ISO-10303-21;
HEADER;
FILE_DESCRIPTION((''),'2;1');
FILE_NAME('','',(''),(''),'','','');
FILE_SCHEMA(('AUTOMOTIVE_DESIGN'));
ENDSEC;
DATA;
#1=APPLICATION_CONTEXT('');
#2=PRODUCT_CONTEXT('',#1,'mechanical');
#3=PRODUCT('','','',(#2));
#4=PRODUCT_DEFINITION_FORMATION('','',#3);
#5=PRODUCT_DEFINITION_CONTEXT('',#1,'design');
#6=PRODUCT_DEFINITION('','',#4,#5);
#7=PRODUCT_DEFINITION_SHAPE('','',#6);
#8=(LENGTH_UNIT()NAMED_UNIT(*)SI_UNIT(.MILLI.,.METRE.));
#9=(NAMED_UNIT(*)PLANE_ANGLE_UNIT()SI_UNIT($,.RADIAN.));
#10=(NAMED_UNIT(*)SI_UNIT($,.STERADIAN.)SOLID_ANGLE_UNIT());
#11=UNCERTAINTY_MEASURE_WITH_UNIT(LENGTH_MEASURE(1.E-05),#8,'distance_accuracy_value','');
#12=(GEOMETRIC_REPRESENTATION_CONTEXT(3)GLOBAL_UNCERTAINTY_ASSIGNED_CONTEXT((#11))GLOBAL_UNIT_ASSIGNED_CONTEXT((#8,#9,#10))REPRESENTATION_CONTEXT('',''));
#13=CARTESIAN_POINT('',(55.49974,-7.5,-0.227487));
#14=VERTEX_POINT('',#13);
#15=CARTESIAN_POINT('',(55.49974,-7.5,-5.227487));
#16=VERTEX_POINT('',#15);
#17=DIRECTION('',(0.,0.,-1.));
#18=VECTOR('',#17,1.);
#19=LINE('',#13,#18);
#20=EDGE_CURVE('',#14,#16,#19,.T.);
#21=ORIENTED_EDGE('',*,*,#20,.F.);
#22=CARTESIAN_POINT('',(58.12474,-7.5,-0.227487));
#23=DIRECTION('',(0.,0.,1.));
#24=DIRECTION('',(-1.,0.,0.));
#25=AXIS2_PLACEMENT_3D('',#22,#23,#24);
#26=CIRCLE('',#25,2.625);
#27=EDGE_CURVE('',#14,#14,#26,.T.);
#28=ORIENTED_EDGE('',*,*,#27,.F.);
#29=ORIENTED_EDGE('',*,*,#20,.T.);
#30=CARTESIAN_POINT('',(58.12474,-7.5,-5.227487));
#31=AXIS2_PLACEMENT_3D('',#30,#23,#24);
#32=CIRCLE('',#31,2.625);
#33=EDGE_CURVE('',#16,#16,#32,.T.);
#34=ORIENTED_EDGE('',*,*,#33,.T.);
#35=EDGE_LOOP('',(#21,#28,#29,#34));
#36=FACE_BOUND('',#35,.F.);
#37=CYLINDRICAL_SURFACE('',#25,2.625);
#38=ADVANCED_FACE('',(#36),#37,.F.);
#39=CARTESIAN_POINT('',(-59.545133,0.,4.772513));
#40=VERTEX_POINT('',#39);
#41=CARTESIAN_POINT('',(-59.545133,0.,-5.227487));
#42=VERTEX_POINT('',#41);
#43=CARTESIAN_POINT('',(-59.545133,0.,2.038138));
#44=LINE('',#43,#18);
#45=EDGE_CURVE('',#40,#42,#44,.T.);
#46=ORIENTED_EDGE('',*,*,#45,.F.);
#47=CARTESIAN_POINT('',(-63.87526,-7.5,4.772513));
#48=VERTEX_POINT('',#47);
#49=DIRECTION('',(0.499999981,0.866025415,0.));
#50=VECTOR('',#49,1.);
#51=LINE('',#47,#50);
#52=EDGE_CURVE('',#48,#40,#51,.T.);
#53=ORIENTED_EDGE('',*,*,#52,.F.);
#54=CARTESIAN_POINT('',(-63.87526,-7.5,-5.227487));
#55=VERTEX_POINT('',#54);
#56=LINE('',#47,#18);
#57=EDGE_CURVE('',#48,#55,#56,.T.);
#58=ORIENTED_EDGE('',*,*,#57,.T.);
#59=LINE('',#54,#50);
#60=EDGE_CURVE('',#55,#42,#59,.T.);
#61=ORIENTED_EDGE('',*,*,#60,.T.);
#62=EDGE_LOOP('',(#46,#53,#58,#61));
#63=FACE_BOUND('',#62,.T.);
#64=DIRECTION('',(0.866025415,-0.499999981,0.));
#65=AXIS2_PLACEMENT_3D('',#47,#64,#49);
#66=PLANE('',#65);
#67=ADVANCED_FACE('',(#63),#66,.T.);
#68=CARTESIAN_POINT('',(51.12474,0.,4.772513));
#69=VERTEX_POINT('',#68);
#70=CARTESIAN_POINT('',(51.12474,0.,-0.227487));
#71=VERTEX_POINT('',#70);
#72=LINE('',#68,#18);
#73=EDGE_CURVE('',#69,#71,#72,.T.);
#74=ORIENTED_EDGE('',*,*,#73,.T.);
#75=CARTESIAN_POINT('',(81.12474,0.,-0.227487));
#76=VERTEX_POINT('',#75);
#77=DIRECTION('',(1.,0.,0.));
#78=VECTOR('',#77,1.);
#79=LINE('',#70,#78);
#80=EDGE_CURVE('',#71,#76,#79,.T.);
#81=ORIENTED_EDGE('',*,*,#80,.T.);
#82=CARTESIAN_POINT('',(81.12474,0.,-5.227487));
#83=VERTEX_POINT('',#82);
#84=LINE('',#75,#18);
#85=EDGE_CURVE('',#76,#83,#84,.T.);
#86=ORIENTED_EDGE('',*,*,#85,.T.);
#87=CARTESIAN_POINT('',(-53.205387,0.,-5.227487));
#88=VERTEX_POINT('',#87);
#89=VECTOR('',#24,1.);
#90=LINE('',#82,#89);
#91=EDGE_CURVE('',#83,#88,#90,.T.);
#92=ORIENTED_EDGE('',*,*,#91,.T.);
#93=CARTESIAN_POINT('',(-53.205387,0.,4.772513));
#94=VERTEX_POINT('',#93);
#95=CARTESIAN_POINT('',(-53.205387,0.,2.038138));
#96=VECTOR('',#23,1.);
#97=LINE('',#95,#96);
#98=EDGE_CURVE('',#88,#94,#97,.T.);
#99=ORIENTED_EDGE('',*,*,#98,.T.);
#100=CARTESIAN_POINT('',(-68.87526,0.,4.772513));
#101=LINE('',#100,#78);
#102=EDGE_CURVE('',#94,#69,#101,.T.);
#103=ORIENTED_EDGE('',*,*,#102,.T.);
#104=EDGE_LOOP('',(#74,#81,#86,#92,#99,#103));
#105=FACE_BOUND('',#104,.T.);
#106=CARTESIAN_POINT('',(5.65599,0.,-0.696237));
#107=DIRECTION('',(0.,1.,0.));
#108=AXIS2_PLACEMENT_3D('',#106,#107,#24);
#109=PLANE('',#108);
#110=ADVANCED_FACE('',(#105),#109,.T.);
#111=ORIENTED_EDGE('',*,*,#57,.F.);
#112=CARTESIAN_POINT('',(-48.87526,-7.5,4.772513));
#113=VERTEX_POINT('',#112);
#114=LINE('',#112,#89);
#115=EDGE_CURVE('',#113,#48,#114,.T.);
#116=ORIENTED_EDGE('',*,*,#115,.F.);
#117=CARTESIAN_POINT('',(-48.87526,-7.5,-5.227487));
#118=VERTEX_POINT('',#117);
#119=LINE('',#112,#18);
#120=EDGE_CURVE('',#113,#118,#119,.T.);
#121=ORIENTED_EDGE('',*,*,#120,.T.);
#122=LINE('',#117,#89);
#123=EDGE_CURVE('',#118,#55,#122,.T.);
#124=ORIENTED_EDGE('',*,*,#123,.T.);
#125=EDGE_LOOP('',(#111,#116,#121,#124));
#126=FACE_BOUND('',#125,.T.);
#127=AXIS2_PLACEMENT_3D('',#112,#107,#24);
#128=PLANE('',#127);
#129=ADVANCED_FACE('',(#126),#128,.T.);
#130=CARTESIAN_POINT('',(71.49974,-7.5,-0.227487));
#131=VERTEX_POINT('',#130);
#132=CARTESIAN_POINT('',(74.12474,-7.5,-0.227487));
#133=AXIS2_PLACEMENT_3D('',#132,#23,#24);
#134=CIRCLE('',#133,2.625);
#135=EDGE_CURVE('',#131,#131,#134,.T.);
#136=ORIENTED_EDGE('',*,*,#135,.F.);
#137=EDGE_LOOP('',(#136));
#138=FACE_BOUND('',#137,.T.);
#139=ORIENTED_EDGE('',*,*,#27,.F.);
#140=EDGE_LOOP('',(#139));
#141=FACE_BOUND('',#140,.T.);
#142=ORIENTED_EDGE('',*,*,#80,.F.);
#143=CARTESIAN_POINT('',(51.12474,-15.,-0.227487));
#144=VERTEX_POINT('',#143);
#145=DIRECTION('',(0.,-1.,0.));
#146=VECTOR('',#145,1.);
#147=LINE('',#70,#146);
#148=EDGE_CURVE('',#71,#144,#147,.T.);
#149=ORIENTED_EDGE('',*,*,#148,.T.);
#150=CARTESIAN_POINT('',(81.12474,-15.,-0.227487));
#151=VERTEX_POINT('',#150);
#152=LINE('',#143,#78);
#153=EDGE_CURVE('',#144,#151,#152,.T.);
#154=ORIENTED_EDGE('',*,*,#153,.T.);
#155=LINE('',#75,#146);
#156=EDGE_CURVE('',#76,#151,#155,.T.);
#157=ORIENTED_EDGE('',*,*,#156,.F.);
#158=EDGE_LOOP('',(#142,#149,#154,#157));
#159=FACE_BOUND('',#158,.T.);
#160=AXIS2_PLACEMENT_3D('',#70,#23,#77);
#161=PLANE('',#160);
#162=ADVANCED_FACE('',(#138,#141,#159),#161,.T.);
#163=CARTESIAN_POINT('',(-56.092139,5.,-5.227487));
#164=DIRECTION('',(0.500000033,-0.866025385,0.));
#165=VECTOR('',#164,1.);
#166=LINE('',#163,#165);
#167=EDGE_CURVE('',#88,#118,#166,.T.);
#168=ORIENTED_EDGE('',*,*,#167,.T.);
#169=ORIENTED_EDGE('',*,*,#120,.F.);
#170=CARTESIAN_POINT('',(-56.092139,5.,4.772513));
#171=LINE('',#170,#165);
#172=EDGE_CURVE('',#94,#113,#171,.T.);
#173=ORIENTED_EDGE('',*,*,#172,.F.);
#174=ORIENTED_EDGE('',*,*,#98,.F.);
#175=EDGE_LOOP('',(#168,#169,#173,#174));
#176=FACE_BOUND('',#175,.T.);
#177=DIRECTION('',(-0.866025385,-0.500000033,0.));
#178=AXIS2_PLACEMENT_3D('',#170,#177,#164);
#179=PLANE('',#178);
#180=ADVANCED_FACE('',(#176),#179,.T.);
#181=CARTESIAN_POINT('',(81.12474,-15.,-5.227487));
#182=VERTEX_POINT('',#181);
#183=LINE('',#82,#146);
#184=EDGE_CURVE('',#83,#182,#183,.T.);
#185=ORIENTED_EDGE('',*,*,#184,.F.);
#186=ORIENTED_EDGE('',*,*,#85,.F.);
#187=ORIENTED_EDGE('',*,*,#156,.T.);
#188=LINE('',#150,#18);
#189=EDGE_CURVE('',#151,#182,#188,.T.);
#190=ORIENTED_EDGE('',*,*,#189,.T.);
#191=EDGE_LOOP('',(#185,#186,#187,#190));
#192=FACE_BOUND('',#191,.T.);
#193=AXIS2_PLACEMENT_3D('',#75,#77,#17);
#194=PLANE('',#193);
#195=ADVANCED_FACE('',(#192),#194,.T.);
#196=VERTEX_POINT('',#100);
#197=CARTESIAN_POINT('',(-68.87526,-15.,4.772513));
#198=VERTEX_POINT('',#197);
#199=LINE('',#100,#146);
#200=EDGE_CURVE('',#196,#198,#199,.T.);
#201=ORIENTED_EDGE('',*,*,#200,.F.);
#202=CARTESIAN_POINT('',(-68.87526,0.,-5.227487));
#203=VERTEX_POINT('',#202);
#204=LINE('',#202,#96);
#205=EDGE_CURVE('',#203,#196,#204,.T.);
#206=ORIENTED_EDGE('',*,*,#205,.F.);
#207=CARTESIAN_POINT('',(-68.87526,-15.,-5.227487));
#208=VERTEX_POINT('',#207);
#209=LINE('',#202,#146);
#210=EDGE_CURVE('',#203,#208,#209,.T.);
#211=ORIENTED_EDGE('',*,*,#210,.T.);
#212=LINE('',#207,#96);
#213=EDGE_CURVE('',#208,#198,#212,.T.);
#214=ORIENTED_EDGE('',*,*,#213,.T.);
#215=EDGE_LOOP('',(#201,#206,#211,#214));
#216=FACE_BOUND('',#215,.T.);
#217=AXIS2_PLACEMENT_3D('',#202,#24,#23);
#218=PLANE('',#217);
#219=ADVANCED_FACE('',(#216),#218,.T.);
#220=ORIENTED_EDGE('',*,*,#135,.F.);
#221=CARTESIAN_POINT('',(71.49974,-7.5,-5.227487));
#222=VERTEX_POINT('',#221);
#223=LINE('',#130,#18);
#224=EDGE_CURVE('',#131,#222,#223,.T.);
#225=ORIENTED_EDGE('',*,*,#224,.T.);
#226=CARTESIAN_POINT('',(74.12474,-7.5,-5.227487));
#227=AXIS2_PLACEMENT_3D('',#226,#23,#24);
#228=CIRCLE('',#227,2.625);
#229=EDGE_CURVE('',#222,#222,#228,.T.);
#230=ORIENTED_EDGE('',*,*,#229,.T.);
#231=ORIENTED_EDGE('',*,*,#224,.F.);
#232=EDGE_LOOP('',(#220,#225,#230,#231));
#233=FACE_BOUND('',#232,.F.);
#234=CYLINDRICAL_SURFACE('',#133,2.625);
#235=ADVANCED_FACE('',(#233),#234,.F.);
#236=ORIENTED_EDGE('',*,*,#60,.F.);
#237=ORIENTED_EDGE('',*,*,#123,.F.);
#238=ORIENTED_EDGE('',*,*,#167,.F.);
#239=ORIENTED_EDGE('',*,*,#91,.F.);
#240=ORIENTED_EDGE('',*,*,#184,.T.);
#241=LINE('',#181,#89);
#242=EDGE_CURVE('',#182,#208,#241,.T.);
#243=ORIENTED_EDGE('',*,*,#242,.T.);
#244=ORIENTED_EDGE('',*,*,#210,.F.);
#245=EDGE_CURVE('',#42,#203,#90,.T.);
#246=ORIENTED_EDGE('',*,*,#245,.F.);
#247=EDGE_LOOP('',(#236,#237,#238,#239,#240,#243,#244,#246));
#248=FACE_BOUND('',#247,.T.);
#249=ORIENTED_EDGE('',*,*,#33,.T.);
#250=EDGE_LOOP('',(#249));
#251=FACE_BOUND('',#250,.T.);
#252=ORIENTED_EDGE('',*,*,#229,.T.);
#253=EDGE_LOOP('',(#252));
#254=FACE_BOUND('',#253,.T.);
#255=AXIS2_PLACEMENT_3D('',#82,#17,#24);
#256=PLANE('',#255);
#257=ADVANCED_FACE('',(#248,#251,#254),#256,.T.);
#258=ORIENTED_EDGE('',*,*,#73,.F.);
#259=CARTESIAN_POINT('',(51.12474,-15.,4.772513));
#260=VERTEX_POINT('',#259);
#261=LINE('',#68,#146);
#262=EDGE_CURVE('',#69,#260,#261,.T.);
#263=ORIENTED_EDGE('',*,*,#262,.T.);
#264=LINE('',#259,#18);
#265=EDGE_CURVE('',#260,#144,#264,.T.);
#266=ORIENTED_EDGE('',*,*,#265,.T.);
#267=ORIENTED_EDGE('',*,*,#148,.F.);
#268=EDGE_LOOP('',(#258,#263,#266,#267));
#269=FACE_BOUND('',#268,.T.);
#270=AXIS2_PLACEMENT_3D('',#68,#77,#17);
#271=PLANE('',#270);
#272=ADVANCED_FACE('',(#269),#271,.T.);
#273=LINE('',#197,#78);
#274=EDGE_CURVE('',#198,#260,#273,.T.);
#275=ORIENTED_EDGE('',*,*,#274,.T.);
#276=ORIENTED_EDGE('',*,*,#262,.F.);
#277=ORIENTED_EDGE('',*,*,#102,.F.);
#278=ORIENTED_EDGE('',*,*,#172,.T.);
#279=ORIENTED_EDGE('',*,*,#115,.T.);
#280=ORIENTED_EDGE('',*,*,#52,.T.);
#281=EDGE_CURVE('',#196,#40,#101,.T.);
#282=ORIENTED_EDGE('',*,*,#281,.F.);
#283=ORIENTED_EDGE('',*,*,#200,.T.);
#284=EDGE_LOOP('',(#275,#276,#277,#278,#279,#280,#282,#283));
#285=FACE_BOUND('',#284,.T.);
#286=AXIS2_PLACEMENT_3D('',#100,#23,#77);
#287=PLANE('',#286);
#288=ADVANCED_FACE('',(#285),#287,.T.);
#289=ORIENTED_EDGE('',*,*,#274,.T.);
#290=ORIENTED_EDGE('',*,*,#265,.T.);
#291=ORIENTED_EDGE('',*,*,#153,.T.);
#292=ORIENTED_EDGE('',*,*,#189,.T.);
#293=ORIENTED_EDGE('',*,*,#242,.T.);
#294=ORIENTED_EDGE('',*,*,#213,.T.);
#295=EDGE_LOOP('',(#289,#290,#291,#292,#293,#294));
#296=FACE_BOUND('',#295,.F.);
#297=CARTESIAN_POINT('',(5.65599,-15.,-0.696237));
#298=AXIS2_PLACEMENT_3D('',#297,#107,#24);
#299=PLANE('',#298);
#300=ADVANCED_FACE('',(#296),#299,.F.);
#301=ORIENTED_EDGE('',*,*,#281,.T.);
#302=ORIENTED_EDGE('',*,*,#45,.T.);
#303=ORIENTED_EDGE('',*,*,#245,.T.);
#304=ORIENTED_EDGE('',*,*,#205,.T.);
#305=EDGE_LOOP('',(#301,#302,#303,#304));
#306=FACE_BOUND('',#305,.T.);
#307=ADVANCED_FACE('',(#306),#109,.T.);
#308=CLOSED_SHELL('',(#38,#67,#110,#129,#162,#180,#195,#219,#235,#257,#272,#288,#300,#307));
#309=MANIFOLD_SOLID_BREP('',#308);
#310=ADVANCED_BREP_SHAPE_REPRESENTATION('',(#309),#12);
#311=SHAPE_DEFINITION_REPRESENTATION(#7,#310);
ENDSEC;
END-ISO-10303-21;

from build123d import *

# Parameters (mm, degrees)
PAD_DEPTH       = 15
SKETCH001_R     = 2.625
POCKET_DEPTH    = 5
POCKET001_DEPTH = 10


with BuildPart() as part:
    # Sketch → Pad (new body)
    with BuildSketch(Plane.XZ):
        Polygon((-68.87526, -5.227487), (-68.87526, 4.772513), (51.12474, 4.772513), (51.12474, -0.227487), (81.12474, -0.227487), (81.12474, -5.227487), align=None)
    extrude(amount=PAD_DEPTH)

    # Sketch001 (on Face4 of Pad) → Pocket (cut)
    with BuildSketch(Plane(origin=(0, 0, -0.227487), x_dir=(-1, 0, 0), z_dir=(0, 0, 1))):
        with Locations((-74.12474, 7.5)):
            Circle(SKETCH001_R)
        with Locations((-58.12474, 7.5)):
            Circle(SKETCH001_R)
    extrude(amount=-POCKET_DEPTH, mode=Mode.SUBTRACT)

    # Sketch002 (on Face3 of Pocket) → Pocket001 (cut)
    with BuildSketch(Plane(origin=(0, 0, 4.772513), x_dir=(-1, 0, 0), z_dir=(0, 0, 1))):
        Polygon((56.092139, -5), (48.87526, 7.5), (63.87526, 7.5), (56.658382, -5), align=None)
    extrude(amount=-POCKET001_DEPTH, mode=Mode.SUBTRACT)


solid = part.part
